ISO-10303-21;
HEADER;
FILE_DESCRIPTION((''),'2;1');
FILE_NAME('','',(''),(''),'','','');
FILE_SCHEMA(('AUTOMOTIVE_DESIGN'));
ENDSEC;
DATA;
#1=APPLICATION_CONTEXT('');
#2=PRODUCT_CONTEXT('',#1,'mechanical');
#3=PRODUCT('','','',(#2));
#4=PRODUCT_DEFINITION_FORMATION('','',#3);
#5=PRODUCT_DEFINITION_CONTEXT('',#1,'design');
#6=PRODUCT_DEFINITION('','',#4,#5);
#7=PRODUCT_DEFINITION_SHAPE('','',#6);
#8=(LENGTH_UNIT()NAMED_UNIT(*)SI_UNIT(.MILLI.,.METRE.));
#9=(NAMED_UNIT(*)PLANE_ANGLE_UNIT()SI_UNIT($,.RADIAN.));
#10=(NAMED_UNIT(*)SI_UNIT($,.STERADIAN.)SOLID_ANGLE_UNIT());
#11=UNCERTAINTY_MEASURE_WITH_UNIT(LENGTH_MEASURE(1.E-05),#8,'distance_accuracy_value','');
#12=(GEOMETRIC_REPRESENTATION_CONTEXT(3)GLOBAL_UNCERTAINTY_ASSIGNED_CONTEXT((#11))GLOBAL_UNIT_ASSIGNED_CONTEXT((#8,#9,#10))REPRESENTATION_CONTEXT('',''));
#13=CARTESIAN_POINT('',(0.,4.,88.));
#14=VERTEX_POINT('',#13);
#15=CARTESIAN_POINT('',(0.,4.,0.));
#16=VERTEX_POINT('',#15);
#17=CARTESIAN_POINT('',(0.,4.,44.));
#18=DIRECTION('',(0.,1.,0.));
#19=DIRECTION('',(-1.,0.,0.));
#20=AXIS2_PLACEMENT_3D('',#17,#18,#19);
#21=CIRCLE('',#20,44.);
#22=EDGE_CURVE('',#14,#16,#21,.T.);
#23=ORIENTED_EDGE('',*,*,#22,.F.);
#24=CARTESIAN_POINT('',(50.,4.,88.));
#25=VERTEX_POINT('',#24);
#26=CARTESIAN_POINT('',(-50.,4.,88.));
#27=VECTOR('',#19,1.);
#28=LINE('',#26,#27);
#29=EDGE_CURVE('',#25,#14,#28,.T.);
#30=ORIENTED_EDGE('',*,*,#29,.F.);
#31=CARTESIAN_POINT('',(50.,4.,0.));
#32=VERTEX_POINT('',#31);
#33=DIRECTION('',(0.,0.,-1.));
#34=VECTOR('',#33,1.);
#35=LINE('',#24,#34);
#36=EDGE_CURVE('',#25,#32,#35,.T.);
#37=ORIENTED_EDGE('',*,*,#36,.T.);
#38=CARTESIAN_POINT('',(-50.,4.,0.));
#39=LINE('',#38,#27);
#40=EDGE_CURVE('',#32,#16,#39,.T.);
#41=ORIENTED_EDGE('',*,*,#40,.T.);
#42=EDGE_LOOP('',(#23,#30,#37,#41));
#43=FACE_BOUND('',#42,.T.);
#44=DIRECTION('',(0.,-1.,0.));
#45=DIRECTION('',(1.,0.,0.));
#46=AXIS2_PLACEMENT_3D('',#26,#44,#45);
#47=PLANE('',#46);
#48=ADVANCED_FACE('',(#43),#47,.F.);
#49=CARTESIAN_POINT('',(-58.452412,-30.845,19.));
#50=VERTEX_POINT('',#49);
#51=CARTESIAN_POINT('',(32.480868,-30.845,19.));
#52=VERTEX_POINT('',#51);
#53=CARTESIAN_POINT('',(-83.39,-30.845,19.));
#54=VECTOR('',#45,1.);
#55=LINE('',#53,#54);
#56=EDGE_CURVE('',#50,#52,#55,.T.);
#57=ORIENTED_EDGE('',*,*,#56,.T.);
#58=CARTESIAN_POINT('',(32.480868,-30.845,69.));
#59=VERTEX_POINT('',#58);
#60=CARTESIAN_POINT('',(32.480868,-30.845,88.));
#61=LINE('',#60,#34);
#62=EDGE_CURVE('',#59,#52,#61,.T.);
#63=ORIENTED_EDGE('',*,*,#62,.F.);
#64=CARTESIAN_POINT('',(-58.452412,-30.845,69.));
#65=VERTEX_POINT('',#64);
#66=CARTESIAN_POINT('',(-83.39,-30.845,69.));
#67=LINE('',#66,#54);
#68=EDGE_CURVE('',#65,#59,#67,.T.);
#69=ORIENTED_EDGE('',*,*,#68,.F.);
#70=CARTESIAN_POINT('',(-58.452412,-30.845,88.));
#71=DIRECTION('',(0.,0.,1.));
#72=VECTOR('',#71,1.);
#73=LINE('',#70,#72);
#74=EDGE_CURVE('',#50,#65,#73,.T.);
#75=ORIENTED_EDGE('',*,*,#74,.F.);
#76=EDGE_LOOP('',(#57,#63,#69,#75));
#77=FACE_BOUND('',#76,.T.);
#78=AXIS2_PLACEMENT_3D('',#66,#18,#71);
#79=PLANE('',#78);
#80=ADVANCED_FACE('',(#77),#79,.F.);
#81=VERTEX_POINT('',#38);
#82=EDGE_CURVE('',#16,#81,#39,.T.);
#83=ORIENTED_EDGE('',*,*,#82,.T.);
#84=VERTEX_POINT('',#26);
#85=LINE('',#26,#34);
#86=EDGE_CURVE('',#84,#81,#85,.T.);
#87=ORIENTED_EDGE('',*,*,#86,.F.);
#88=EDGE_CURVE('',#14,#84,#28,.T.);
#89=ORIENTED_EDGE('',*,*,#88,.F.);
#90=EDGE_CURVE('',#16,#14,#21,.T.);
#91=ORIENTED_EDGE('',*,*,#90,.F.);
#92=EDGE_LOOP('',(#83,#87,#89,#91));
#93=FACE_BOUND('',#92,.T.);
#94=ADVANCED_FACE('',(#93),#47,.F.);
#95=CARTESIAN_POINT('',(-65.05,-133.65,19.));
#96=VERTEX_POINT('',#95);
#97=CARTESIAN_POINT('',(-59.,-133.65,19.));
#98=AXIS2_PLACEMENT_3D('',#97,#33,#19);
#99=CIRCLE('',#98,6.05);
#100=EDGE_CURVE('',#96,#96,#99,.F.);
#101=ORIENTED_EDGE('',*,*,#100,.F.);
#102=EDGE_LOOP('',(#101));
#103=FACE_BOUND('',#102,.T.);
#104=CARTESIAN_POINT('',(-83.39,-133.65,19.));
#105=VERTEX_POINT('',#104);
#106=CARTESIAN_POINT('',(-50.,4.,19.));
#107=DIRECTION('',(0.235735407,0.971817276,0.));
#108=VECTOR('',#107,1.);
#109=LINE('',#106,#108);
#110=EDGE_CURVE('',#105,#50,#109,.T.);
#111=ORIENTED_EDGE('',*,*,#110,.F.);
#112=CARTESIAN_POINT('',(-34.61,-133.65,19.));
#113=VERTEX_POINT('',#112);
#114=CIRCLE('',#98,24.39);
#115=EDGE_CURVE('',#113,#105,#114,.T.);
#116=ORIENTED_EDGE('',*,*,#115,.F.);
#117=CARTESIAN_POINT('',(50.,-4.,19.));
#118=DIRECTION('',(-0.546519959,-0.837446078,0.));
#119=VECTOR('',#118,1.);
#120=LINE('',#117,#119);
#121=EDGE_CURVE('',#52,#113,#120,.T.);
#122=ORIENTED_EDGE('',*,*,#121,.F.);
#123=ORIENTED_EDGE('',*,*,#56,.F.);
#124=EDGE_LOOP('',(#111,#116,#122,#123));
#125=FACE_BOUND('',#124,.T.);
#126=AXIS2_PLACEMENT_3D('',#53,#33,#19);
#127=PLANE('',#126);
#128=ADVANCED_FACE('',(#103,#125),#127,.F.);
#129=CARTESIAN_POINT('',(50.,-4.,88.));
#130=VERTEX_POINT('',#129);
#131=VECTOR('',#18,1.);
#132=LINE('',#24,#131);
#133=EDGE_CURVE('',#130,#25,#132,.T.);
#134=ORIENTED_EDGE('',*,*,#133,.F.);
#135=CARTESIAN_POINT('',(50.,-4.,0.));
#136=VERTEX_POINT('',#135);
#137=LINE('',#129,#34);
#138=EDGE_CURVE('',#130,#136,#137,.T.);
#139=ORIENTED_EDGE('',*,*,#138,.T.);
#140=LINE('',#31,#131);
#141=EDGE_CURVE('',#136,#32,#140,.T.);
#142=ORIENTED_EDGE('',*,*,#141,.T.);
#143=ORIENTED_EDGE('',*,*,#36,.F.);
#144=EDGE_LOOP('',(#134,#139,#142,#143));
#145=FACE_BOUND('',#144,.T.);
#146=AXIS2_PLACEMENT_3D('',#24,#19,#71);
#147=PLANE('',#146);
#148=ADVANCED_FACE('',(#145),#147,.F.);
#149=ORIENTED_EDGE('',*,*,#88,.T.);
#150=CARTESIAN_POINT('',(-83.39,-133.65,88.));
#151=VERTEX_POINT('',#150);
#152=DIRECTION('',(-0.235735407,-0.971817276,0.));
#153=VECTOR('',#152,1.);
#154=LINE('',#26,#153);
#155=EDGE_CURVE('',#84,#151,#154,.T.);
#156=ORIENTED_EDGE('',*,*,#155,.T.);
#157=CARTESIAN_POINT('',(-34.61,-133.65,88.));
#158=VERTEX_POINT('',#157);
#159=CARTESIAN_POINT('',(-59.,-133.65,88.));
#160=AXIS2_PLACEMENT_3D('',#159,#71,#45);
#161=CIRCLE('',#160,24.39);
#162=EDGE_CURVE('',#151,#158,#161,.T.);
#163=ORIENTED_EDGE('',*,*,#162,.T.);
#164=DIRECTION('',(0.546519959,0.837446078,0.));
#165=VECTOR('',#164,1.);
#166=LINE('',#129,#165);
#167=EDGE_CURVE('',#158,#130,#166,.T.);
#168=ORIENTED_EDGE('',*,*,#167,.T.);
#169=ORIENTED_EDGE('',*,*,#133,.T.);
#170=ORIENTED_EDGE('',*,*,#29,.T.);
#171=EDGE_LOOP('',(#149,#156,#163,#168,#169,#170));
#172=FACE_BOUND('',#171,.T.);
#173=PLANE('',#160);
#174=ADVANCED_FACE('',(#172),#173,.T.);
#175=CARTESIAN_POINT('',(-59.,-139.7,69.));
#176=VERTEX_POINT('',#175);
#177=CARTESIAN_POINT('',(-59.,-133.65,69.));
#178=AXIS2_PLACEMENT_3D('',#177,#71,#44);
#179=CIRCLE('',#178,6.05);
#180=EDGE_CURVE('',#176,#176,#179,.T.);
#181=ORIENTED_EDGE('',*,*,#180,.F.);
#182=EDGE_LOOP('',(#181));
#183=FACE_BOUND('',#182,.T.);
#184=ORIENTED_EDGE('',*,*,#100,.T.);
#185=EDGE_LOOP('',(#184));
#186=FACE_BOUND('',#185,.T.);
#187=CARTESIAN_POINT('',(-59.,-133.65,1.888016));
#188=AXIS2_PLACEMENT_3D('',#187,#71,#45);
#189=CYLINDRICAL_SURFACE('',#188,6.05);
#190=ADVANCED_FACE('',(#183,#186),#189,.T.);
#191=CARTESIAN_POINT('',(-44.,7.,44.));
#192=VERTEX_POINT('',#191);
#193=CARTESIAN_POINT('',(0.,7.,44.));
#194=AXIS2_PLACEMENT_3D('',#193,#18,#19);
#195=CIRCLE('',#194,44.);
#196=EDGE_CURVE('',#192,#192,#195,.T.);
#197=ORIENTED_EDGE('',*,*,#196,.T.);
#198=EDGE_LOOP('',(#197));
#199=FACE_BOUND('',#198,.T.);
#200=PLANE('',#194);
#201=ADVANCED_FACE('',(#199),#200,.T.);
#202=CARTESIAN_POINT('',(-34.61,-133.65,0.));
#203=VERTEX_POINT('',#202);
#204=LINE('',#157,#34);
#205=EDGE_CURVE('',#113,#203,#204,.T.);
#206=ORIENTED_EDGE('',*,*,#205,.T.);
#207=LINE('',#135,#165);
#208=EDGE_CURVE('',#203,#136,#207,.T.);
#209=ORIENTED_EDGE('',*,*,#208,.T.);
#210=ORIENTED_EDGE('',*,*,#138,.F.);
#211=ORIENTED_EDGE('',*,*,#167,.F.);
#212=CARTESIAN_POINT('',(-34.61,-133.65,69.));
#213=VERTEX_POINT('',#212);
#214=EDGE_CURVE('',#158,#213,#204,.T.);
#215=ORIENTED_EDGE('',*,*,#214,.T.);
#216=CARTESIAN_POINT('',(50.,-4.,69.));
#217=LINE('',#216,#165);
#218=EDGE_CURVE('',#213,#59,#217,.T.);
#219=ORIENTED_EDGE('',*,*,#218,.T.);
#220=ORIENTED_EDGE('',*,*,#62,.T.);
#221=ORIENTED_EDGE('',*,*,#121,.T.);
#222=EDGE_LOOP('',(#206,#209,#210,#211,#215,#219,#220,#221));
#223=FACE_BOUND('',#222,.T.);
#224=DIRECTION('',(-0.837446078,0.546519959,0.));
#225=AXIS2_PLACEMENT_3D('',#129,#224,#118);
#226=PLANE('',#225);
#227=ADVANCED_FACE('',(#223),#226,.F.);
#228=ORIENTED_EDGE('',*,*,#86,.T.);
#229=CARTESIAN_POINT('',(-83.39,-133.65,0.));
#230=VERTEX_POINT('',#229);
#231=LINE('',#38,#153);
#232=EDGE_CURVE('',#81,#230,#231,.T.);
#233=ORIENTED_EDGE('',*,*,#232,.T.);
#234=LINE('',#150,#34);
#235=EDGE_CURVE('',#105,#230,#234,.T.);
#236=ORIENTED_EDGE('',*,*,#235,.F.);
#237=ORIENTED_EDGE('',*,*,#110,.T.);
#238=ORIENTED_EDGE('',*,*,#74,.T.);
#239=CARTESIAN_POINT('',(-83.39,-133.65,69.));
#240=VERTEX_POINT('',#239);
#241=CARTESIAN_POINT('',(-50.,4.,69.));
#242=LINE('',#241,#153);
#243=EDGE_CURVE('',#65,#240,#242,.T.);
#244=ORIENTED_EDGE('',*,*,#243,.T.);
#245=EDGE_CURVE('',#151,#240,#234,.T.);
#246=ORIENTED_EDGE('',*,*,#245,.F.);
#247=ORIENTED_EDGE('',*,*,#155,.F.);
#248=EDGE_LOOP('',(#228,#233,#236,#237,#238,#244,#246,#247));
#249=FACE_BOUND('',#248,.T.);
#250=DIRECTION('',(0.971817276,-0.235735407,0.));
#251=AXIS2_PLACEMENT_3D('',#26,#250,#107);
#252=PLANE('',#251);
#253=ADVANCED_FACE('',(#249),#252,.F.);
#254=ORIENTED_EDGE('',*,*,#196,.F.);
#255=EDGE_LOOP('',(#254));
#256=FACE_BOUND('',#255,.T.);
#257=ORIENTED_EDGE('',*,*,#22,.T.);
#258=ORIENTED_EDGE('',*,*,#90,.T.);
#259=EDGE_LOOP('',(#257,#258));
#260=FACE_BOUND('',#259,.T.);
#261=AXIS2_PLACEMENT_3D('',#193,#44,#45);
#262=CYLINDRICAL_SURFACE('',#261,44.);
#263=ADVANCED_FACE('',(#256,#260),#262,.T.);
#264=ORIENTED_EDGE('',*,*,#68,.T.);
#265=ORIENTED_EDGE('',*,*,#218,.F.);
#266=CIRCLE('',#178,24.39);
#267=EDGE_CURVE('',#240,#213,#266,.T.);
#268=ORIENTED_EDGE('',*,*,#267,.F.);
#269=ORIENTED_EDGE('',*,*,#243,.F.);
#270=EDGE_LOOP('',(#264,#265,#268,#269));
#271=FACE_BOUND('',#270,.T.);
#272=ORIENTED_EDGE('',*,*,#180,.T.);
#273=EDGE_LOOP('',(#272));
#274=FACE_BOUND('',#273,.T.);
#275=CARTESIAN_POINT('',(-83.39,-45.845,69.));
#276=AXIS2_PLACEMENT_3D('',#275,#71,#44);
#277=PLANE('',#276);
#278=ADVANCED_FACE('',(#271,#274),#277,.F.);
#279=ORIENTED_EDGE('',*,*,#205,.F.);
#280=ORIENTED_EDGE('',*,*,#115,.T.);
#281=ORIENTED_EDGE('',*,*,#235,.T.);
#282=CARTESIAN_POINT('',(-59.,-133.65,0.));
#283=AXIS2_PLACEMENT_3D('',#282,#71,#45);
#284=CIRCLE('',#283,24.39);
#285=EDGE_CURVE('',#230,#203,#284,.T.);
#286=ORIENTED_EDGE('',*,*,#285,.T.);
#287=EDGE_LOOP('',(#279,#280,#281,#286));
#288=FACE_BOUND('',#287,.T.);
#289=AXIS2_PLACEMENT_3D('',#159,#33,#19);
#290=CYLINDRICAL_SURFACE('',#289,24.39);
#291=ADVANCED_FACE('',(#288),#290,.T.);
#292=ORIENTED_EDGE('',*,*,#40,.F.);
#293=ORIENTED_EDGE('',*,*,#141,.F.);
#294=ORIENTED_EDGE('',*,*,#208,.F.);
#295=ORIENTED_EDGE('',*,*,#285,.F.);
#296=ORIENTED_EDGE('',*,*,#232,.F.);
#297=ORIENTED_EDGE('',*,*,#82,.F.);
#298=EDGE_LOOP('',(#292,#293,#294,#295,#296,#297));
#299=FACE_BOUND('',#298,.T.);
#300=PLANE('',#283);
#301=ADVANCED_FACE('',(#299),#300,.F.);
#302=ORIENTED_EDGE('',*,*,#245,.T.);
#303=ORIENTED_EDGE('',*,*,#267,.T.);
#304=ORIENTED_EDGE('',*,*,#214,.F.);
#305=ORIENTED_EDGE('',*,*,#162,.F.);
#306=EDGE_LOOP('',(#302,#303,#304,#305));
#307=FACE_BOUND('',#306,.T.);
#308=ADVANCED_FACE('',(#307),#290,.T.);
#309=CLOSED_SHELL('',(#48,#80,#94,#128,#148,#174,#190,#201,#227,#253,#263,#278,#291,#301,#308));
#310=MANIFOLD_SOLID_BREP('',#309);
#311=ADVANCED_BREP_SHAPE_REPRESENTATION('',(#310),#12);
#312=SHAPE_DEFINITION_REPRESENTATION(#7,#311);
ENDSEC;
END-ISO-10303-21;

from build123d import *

# Parameters (mm, degrees)
ESTRUSIONE_ESTRUSIONE1_DEPTH  = 88
TAGLIO_ESTRUSIONE2_DEPTH      = 200.184672352
TAGLIO_ESTRUSIONE2_DEPTH_BACK = 200.184672352
SCHIZZO4_R                    = 6.05
ESTRUSIONE_ESTRUSIONE2_DEPTH  = 69
SCHIZZO6_R                    = 44
ESTRUSIONE_ESTRUSIONE3_DEPTH  = 3


with BuildPart() as part:
    # Schizzo1 → Estrusione-Estrusione1 (new body)
    with BuildSketch(Plane.XY):
        with BuildLine():
            Line((-50, 4), (-83.39, -133.65))
            ThreePointArc((-83.39, -133.65), (-59, -158.04), (-34.61, -133.65))
            Line((-34.61, -133.65), (50, -4))
            Line((50, -4), (50, 4))
            Line((50, 4), (-50, 4))
        make_face()
    extrude(amount=ESTRUSIONE_ESTRUSIONE1_DEPTH)

    # Schizzo2 → Taglio-Estrusione2 (cut, two sides: drawn at the far end of the back side and taken through both)
    with BuildSketch(Plane(origin=(0, 0, 0), x_dir=(0, 0, -1), z_dir=(1, 0, 0)).offset(-TAGLIO_ESTRUSIONE2_DEPTH_BACK)):
        Polygon((-69, -45.845), (-69, -245.845), (-19, -245.845), (-19, -45.845), (-19, -30.845), (-69, -30.845), align=None)
    extrude(amount=TAGLIO_ESTRUSIONE2_DEPTH + TAGLIO_ESTRUSIONE2_DEPTH_BACK, mode=Mode.SUBTRACT)

    # Schizzo4 → Estrusione-Estrusione2 (add)
    with BuildSketch(Plane.XY.offset(88)):
        with Locations(Location((-59, -133.65, 0), (0, 0, 270))):
            Circle(SCHIZZO4_R)
    extrude(amount=-ESTRUSIONE_ESTRUSIONE2_DEPTH)

    # Schizzo6 → Estrusione-Estrusione3 (add)
    with BuildSketch(Plane(origin=(0, 4, 0), x_dir=(1, 0, 0), z_dir=(0, 1, 0))):
        with Locations(Location((0, -44, 0), (0, 0, 90))):
            Circle(SCHIZZO6_R)
    extrude(amount=ESTRUSIONE_ESTRUSIONE3_DEPTH)


solid = part.part
